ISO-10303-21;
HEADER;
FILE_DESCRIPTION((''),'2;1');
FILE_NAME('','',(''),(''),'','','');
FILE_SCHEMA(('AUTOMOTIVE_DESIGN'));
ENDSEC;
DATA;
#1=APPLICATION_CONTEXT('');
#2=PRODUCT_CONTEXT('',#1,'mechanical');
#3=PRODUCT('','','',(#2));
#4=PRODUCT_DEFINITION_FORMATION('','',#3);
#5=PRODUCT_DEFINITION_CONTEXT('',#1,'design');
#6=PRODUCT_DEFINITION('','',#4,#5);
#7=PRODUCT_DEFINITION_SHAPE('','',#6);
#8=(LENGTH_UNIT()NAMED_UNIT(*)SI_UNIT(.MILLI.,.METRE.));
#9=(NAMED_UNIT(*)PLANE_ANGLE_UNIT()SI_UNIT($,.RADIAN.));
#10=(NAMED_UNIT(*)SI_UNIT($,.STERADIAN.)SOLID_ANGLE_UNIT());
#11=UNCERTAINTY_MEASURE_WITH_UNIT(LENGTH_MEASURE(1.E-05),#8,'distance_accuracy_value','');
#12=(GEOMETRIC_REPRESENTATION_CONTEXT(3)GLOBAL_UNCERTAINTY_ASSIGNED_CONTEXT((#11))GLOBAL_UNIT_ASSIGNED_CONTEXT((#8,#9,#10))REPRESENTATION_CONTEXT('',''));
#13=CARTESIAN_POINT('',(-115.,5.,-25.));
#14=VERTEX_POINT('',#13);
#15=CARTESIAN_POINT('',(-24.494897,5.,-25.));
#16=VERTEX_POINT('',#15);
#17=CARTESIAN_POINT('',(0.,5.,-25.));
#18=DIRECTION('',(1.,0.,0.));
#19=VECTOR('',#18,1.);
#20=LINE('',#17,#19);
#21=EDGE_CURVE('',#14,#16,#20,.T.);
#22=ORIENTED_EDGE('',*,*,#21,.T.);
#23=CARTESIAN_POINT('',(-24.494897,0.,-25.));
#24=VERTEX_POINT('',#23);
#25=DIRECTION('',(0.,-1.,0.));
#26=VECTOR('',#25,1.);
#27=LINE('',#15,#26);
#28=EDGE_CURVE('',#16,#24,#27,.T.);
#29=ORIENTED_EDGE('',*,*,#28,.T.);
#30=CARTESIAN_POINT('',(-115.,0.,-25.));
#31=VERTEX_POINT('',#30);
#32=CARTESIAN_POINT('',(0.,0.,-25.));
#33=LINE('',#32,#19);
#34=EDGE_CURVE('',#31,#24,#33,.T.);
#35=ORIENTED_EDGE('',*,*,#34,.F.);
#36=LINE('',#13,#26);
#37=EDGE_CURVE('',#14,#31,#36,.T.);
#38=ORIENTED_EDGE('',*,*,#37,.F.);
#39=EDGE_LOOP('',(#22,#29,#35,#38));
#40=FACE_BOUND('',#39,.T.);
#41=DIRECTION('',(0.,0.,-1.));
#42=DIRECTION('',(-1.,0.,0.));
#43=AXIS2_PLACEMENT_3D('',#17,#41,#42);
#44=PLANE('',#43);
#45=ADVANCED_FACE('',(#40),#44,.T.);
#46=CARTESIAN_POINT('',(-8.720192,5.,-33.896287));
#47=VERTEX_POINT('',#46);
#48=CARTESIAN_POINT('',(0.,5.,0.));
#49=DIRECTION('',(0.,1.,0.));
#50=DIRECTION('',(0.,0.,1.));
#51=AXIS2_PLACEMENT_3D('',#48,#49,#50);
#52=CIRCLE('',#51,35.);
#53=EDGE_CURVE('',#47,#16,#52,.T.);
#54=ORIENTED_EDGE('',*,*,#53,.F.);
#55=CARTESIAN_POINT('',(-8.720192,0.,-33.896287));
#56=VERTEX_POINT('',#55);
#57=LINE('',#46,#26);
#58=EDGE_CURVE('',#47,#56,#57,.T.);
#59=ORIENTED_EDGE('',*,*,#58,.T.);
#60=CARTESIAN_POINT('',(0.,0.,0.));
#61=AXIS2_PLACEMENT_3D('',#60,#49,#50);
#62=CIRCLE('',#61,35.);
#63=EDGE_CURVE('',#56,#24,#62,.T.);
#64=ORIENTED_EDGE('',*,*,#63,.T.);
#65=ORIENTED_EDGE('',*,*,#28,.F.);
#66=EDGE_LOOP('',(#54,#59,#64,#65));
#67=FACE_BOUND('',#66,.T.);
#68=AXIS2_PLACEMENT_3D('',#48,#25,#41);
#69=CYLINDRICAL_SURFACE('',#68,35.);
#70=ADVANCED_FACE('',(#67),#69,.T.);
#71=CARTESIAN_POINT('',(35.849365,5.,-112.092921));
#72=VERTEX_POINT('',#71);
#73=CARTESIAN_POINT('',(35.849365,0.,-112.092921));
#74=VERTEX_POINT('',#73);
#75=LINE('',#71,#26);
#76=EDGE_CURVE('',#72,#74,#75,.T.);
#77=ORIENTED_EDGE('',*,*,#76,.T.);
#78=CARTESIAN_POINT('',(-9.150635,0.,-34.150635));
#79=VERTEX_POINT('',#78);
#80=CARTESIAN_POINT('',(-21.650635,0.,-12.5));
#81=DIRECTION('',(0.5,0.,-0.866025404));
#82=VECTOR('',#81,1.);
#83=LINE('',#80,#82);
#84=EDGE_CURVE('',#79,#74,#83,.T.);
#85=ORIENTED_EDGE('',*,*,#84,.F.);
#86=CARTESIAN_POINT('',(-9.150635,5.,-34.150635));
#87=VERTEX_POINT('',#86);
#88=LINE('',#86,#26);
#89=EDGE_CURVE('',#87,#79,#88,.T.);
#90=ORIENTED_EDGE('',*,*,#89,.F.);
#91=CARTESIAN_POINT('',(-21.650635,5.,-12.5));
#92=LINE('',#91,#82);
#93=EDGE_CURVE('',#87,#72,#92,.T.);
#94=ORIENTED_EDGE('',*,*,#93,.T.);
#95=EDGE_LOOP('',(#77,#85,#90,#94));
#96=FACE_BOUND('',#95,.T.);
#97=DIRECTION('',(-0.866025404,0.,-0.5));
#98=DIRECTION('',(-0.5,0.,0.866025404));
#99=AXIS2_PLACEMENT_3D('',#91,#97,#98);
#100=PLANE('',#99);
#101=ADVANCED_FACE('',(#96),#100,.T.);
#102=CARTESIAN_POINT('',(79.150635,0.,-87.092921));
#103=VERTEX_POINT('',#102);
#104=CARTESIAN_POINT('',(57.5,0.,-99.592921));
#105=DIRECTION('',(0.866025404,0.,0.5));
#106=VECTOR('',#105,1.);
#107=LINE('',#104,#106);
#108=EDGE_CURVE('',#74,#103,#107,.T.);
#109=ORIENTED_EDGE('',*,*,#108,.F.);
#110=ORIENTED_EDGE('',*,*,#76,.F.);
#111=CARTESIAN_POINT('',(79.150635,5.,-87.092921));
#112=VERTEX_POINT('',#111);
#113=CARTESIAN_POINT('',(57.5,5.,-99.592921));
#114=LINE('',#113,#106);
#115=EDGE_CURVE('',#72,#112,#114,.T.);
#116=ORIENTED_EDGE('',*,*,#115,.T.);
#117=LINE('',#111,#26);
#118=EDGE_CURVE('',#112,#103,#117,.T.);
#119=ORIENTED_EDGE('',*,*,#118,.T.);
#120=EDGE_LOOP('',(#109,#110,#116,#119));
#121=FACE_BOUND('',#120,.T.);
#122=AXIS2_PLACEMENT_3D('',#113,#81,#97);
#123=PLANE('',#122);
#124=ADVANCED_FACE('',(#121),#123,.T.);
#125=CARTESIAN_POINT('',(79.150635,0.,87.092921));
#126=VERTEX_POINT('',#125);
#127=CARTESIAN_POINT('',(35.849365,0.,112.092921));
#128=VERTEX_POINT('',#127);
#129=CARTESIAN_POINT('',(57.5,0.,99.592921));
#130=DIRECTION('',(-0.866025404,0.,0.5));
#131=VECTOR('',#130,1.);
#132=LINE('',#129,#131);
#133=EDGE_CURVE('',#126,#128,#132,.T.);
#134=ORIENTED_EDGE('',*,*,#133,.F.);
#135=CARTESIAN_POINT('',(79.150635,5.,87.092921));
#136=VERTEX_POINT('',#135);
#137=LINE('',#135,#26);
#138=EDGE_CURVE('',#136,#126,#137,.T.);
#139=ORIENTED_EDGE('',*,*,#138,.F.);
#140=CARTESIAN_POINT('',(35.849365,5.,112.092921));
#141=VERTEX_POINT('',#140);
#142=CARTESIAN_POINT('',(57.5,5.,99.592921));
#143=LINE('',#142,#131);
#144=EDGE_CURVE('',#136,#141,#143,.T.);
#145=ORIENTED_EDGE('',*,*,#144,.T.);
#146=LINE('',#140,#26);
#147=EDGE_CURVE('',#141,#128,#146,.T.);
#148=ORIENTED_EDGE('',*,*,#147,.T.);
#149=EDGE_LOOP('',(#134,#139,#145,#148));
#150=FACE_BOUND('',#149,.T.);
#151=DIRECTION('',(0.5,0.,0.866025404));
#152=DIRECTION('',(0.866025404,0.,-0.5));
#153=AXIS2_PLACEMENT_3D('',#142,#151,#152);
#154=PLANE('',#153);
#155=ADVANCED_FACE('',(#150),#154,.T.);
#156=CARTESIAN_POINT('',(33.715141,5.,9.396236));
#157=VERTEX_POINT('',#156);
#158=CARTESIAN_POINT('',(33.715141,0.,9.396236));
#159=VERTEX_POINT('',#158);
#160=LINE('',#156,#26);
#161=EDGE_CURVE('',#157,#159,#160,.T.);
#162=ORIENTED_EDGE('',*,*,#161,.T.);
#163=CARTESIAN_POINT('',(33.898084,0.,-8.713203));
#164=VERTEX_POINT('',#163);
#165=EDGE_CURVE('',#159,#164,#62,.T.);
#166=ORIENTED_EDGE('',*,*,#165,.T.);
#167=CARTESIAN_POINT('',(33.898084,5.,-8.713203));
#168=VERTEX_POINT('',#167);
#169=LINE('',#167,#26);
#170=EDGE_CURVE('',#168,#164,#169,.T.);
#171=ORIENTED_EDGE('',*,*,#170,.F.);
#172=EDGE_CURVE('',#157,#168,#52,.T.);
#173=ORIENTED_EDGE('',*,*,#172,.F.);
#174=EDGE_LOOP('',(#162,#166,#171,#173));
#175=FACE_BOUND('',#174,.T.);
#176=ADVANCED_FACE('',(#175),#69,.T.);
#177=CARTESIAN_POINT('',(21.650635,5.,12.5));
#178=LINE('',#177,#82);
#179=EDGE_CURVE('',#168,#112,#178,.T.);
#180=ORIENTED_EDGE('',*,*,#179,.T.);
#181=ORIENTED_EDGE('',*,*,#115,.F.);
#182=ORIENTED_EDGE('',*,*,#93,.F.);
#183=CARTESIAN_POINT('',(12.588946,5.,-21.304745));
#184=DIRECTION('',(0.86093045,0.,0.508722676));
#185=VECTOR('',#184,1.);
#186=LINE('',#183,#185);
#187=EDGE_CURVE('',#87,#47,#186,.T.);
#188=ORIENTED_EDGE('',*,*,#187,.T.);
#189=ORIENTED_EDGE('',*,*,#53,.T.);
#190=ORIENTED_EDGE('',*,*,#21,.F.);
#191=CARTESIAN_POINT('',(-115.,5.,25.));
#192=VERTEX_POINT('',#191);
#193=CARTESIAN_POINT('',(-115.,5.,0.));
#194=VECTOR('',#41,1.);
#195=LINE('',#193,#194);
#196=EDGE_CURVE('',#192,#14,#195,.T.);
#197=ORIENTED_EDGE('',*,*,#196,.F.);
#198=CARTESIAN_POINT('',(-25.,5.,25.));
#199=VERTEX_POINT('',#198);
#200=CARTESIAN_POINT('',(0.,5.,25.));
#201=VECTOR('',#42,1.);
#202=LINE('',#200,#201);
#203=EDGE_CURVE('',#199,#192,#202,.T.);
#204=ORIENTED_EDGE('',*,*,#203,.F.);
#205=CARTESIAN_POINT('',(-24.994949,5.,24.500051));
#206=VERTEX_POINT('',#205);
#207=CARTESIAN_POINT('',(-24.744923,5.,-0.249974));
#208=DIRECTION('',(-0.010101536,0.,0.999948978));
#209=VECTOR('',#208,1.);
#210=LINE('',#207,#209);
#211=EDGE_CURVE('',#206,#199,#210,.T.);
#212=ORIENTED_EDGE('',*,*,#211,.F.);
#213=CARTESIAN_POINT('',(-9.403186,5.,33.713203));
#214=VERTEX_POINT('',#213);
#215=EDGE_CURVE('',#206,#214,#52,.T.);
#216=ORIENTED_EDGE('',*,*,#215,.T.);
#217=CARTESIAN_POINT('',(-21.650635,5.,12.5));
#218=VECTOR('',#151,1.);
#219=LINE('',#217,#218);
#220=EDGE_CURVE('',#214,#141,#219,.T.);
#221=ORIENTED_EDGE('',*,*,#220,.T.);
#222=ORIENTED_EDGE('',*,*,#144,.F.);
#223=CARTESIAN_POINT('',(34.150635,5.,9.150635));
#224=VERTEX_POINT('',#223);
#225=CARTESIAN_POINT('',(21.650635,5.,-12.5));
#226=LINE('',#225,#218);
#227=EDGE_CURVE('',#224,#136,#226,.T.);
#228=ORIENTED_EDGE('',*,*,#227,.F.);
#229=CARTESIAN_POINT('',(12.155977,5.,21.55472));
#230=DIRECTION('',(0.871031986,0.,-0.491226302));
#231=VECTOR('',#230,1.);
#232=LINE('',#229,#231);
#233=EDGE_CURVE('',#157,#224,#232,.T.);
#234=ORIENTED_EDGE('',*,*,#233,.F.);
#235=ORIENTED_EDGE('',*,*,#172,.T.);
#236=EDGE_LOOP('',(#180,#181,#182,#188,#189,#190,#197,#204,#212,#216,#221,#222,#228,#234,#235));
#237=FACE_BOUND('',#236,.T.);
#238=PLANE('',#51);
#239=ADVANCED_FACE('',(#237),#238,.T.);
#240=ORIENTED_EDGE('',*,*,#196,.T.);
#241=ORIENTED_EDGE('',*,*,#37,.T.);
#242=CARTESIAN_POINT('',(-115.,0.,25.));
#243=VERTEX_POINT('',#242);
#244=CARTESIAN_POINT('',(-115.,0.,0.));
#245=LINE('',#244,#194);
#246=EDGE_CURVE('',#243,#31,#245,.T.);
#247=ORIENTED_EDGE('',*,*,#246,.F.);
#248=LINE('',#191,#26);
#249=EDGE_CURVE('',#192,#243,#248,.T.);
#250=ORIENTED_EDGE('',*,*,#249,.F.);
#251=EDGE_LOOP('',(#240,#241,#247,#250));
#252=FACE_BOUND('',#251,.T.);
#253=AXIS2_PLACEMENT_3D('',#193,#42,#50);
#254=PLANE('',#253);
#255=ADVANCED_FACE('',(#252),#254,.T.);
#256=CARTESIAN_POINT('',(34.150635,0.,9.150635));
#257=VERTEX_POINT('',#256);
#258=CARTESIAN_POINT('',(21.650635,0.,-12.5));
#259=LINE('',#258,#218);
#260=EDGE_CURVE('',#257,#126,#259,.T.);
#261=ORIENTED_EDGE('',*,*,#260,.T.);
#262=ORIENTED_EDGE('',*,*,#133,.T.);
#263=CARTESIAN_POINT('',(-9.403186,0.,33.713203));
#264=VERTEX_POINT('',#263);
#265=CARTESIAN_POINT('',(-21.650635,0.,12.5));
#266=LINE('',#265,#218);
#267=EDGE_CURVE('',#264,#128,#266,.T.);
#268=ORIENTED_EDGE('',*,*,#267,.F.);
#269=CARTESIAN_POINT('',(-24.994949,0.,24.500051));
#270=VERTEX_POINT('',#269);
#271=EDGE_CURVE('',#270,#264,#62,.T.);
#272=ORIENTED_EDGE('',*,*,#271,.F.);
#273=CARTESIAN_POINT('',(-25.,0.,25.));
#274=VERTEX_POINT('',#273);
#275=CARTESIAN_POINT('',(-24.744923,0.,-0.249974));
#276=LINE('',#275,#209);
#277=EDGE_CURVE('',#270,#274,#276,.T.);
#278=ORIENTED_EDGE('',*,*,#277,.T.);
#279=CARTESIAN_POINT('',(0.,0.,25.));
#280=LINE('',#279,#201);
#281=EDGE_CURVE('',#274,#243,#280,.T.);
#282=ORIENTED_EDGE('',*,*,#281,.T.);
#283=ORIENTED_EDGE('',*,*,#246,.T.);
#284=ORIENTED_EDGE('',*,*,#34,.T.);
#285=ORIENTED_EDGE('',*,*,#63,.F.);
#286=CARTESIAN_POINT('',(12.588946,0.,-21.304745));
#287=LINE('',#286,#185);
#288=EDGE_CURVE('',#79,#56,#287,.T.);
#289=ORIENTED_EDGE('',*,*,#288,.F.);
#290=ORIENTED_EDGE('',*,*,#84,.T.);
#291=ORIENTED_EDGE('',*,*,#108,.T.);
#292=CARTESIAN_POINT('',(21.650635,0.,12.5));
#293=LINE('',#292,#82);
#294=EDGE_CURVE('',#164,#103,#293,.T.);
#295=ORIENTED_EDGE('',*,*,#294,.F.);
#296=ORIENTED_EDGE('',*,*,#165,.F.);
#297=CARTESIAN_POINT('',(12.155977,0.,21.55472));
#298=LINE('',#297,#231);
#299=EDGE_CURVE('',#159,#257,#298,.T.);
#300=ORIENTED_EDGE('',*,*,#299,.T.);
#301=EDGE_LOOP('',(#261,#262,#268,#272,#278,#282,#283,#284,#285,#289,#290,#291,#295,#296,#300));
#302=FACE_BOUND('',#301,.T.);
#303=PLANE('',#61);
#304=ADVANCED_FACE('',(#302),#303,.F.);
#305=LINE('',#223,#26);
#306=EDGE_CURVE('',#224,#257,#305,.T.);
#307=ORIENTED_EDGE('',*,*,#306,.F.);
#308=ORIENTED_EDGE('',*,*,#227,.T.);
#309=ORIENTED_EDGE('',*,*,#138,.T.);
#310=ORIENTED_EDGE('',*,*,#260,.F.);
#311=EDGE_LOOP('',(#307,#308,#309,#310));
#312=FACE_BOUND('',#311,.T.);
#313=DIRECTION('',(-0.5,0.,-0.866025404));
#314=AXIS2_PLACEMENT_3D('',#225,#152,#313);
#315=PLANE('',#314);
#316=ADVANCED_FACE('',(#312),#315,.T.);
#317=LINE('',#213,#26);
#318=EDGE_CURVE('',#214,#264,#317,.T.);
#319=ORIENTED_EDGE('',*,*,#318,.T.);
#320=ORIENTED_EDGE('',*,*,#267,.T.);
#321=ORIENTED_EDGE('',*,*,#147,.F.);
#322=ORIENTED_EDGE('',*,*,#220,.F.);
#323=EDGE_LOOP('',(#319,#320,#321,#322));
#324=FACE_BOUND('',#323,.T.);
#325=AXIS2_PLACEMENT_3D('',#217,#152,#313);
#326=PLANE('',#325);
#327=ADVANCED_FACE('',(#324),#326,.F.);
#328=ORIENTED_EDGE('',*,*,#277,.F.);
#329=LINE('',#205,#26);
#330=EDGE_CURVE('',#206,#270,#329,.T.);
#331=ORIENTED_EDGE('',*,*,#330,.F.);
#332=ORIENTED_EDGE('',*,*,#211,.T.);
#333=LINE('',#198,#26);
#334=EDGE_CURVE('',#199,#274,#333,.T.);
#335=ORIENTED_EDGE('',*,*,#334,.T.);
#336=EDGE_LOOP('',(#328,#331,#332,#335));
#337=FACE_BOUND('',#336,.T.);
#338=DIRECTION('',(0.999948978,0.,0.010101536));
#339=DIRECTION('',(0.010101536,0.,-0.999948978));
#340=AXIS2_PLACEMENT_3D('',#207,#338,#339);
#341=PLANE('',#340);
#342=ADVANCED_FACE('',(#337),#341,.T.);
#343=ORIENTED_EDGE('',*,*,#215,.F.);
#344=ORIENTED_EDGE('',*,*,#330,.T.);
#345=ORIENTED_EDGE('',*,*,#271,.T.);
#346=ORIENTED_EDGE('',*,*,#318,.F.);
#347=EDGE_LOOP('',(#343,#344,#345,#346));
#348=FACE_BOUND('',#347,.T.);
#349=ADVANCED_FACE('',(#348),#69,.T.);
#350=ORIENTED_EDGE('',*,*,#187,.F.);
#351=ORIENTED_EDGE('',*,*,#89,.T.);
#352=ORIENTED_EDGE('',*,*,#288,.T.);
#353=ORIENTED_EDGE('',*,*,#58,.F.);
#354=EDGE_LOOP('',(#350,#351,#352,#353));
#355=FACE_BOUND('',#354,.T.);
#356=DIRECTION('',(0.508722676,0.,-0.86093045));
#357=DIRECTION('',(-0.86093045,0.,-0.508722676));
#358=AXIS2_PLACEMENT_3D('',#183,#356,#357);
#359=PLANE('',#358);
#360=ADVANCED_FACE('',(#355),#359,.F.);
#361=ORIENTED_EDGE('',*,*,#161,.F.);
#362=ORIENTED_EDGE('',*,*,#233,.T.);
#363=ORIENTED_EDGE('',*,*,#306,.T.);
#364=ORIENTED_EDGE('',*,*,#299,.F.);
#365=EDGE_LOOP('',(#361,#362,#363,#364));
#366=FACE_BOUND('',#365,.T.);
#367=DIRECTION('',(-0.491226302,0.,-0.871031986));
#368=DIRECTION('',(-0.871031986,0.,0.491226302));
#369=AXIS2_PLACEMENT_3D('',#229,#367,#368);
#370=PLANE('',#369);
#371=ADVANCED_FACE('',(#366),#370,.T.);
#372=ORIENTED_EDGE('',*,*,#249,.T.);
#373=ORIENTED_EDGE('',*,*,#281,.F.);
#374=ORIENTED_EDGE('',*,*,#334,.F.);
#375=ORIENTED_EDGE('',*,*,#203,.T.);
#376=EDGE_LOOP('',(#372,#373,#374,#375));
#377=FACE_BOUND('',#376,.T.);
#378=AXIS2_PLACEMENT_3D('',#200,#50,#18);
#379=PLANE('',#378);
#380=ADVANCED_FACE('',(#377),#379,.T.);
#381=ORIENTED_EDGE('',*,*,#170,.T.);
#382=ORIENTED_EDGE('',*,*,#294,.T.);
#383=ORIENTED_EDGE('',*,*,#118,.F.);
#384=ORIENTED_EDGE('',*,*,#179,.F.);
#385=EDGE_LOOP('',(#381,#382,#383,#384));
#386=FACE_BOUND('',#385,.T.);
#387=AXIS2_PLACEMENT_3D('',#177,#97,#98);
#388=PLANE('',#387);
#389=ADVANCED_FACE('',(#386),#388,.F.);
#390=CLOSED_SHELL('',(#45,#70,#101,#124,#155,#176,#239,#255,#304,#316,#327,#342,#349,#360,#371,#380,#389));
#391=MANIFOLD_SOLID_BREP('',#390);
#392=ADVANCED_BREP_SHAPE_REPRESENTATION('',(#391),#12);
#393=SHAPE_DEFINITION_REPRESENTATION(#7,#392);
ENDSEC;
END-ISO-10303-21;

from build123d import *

# Parameters (mm, degrees)
ESQUISSE3_R        = 35
BOSS_EXTRU_3_DEPTH = 5


with BuildPart() as part:
    # Esquisse3 → Boss.-Extru.3 (new body)
    with BuildSketch(Plane(origin=(0, 0, 0), x_dir=(1, 0, 0), z_dir=(0, 1, 0))):
        with BuildLine():
            Line((-115, -25), (-25, -25))
            Line((-25, -25), (-24.99494949, -24.500051021))
            ThreePointArc((-24.99494949, -24.500051021), (-34.998214236, 0.353553761), (-24.494897428, 25))
            Line((-24.494897428, 25), (-25, 25))
            Line((-25, 25), (-115, 25))
            Line((-115, 25), (-115, -25))
        make_face()
        Circle(ESQUISSE3_R)
        Polygon((-9.403186381, -33.713203436), (35.849364905, -112.092921435), (79.150635095, -87.092921435), (34.150635095, -9.150635095), align=None)
        with BuildLine():
            Line((-24.494897428, 25), (-24.99494949, -24.500051021))
            ThreePointArc((-24.99494949, -24.500051021), (-17.805293657, -30.132565736), (-9.403186381, -33.713203436))
            Line((-9.403186381, -33.713203436), (33.715141323, -9.396235714))
            ThreePointArc((33.715141323, -9.396235714), (34.677297662, -4.741837919), (35, 0))
            ThreePointArc((35, 0), (34.72342821, 4.391302011), (33.898083809, 8.713203436))
            Line((33.898083809, 8.713203436), (-8.720191833, 33.896286735))
            ThreePointArc((-8.720191833, 33.896286735), (-17.19292058, 30.486119496), (-24.494897428, 25))
        make_face()
        Circle(ESQUISSE3_R)
        Polygon((33.898083809, 8.713203436), (79.150635095, 87.092921435), (35.849364905, 112.092921435), (-9.150635095, 34.150635095), align=None)
        with BuildLine():
            ThreePointArc((33.898083809, 8.713203436), (17.805293657, 30.132565736), (-8.720191833, 33.896286735))
            Line((-8.720191833, 33.896286735), (33.898083809, 8.713203436))
        make_face()
    extrude(amount=BOSS_EXTRU_3_DEPTH)


solid = part.part
